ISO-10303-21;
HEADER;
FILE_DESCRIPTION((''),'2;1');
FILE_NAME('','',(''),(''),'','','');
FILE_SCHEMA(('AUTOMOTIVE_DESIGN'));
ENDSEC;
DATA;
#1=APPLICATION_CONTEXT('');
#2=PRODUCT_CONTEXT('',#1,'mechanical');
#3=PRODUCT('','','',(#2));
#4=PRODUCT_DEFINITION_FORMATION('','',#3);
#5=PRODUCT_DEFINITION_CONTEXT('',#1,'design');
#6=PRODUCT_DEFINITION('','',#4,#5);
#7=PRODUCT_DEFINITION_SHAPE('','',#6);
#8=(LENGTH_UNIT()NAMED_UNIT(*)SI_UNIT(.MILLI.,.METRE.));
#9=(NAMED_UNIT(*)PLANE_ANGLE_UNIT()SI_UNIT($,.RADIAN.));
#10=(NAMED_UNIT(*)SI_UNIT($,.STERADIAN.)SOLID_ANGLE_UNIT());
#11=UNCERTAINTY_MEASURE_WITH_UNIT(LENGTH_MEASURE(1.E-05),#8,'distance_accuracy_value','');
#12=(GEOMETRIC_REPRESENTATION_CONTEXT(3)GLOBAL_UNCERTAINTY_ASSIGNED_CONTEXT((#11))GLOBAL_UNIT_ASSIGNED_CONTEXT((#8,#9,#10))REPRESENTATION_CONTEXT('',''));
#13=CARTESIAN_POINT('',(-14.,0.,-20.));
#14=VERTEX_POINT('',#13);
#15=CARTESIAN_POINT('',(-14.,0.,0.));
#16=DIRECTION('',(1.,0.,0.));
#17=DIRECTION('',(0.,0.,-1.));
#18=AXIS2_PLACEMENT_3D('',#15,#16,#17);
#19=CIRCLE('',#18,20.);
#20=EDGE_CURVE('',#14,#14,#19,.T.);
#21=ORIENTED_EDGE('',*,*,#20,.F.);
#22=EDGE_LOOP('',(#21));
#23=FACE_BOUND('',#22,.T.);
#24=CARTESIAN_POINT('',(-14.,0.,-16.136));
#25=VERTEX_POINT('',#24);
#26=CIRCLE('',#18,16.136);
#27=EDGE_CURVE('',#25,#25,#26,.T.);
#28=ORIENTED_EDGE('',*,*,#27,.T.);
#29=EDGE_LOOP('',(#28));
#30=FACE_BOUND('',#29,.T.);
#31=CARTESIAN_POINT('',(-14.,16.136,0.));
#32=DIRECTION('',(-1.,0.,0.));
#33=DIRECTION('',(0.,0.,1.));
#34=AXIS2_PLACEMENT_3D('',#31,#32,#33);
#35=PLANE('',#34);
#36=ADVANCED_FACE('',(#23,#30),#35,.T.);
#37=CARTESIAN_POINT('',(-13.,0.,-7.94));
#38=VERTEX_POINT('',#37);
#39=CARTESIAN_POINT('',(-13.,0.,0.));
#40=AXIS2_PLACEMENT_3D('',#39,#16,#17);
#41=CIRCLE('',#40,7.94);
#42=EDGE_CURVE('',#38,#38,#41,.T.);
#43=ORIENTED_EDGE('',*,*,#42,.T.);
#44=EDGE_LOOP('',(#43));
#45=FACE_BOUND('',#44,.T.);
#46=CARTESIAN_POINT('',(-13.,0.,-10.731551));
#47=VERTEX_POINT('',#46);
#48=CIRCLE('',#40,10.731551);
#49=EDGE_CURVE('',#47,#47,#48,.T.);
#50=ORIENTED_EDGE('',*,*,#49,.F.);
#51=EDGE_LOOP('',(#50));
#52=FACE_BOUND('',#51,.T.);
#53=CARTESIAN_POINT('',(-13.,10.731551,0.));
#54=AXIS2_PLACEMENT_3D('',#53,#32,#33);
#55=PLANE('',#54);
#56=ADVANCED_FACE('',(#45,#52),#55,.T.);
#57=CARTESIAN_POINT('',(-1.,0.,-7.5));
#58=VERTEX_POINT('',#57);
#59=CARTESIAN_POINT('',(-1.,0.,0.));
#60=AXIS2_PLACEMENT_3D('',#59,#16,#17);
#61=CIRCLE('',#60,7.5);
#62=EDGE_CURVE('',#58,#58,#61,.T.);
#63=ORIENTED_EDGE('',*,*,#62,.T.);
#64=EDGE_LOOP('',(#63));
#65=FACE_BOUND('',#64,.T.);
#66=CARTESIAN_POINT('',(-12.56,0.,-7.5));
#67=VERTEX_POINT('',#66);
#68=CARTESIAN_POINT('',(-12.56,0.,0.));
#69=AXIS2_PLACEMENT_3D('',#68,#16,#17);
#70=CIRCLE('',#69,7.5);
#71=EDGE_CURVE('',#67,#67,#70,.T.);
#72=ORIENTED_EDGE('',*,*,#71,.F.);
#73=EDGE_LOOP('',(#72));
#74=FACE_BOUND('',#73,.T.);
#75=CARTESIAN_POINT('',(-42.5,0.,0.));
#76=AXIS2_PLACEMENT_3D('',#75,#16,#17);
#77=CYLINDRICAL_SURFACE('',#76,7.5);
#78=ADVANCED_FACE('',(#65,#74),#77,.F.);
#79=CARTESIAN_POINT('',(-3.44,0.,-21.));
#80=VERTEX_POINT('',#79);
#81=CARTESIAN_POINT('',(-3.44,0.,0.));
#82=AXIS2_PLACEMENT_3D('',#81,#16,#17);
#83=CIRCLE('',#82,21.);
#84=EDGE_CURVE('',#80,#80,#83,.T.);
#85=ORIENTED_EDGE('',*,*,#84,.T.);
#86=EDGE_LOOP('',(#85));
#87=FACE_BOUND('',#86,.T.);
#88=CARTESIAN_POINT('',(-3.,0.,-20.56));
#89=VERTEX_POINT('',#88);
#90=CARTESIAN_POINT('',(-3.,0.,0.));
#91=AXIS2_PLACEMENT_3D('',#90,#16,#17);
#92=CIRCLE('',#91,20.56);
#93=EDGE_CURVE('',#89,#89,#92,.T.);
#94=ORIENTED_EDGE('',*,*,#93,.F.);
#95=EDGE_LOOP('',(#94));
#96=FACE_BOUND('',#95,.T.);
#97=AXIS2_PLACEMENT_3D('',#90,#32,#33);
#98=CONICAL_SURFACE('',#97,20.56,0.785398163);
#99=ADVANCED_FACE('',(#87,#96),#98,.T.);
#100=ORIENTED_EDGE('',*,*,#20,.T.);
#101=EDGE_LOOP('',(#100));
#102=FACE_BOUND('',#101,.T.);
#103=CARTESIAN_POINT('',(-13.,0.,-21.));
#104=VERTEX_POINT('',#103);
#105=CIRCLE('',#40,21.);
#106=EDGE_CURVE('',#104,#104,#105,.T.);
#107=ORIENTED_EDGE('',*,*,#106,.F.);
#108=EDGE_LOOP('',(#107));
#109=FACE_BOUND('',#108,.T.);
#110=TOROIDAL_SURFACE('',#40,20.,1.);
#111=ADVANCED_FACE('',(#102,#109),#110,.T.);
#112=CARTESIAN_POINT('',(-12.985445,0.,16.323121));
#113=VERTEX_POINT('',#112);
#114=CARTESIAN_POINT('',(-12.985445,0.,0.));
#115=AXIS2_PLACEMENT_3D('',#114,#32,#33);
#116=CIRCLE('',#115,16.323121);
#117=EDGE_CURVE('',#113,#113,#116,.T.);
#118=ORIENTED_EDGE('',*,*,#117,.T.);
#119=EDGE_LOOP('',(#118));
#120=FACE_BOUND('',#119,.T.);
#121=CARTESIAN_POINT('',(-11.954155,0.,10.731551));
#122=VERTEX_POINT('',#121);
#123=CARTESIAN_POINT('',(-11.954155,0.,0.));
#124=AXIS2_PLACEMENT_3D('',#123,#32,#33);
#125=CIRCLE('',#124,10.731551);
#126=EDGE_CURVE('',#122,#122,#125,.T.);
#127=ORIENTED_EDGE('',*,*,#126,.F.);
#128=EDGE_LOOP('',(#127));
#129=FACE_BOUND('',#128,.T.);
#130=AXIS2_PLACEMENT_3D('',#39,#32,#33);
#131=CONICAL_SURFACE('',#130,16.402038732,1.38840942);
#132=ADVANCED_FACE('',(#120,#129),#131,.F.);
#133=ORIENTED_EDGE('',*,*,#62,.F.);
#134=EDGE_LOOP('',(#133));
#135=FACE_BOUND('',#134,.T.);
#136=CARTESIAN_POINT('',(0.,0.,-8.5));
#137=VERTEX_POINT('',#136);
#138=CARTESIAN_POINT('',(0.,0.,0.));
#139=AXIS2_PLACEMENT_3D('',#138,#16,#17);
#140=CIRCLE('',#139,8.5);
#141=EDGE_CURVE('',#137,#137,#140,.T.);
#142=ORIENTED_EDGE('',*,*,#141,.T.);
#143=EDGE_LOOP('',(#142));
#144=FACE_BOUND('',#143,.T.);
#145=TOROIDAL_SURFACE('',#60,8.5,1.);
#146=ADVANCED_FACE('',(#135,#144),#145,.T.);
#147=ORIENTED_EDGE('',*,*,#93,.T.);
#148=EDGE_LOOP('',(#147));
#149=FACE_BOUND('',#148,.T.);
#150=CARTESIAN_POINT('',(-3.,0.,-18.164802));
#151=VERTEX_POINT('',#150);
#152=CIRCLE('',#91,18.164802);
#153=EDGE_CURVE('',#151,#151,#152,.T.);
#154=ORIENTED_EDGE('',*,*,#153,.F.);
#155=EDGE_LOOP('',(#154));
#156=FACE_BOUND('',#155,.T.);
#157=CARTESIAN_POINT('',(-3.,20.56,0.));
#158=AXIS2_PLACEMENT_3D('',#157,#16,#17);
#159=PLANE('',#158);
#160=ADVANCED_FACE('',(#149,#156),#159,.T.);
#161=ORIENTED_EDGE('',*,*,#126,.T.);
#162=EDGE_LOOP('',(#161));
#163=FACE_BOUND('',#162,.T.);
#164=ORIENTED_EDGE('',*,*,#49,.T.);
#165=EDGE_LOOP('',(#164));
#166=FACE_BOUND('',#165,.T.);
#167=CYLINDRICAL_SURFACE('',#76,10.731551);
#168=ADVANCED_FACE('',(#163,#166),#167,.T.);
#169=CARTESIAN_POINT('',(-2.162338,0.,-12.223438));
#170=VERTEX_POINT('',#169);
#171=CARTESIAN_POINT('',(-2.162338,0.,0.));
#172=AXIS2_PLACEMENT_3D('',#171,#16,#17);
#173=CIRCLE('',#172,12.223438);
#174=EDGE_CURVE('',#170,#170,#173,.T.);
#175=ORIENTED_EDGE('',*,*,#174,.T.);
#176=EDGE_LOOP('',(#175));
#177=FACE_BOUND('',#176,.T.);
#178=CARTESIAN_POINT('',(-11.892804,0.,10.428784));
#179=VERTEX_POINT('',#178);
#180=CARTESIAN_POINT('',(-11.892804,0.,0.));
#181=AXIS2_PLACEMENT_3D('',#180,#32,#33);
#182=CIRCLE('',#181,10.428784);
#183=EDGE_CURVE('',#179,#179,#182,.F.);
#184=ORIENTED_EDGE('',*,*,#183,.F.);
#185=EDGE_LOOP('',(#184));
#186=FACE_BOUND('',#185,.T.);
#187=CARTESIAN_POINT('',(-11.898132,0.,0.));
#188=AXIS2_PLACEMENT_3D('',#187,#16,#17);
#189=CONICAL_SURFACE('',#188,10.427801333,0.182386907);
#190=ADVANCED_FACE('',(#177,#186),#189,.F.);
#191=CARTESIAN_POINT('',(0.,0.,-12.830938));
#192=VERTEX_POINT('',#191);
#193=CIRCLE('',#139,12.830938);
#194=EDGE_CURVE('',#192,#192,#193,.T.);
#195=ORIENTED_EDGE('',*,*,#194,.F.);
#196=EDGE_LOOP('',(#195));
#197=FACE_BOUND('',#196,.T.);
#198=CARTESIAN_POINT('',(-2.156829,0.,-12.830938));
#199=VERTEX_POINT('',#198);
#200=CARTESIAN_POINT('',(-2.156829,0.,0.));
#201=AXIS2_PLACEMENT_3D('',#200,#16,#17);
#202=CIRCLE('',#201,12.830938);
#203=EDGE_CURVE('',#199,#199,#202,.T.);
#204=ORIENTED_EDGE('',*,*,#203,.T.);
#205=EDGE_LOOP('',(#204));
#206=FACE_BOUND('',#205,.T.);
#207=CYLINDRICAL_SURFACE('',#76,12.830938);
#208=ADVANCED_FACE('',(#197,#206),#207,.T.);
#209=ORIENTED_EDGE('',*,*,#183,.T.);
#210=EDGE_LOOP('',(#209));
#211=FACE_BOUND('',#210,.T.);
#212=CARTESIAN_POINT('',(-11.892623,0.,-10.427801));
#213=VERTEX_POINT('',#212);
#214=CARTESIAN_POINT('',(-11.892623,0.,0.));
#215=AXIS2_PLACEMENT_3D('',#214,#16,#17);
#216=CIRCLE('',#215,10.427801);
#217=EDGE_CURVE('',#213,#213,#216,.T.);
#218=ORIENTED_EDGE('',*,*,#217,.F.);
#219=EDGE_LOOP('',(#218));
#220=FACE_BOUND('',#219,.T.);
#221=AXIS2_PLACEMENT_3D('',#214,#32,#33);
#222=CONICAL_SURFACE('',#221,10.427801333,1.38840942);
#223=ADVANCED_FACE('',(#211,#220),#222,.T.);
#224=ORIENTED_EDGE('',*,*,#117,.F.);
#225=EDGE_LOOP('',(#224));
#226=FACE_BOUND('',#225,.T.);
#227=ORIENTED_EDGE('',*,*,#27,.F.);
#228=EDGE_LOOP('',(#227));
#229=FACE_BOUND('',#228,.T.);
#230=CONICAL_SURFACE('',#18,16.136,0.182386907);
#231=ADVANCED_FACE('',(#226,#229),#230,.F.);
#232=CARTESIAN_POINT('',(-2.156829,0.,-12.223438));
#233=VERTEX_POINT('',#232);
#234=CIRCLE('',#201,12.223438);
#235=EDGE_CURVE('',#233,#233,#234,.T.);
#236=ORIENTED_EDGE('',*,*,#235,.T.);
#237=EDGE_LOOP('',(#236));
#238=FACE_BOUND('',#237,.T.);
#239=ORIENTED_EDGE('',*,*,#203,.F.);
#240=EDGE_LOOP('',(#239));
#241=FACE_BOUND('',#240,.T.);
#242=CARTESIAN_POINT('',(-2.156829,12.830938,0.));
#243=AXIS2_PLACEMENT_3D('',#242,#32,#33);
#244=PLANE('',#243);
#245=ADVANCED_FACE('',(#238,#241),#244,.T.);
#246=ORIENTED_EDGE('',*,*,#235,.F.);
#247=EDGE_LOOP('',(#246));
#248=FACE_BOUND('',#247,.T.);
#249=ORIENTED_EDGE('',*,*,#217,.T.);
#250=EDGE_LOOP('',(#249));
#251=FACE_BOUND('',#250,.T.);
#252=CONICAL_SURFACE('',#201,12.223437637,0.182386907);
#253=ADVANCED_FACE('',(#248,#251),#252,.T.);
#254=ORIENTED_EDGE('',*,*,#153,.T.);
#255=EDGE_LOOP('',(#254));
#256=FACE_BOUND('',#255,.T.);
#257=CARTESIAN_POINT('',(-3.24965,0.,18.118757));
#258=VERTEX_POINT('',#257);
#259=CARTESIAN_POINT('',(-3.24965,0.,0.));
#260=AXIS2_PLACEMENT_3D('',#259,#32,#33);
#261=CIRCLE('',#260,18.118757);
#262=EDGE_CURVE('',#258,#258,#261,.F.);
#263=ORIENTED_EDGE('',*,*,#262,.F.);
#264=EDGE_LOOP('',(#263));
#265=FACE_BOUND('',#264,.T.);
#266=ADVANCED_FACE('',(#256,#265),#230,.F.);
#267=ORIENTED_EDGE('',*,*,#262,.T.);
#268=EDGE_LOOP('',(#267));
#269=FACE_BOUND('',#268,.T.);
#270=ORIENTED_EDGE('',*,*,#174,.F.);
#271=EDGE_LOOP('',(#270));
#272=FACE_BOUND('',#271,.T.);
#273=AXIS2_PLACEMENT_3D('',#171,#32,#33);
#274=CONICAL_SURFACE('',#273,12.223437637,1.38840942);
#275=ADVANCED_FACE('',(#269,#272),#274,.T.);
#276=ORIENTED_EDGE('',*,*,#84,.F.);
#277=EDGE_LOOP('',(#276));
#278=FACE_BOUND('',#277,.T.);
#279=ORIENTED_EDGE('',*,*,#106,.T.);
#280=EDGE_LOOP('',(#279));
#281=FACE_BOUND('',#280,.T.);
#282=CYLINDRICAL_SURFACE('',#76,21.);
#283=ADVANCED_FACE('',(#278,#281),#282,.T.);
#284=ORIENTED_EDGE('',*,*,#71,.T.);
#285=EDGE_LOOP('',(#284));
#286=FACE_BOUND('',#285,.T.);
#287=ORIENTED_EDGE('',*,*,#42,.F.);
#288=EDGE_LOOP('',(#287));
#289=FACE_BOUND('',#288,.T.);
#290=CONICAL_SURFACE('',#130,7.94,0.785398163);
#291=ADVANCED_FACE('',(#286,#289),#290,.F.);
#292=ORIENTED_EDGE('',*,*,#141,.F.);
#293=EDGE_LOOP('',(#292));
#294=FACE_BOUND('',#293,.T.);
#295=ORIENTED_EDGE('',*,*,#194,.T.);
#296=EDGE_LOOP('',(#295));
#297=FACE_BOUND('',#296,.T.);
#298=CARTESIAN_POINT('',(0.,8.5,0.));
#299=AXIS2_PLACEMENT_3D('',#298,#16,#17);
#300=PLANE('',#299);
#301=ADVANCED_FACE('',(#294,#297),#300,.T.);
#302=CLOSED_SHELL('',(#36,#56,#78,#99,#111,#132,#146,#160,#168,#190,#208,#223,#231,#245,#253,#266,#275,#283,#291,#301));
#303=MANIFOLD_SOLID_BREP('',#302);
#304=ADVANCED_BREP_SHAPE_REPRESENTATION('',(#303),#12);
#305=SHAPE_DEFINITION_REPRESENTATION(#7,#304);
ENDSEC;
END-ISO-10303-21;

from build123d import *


with BuildPart() as part:
    # OutRacSke → OuterRace (revolve)
    with BuildSketch(Plane.XY):
        with BuildLine():
            Line((-3, 18.164802045), (-14, 16.136))
            Line((-14, 16.136), (-14, 20))
            ThreePointArc((-14, 20), (-13.707106781, 20.707106781), (-13, 21))
            Line((-13, 21), (-3.44, 21))
            Line((-3.44, 21), (-3, 20.56))
            Line((-3, 20.56), (-3, 18.164802045))
        make_face()
    revolve(axis=Axis((-42.5, 0, 0), (1, 0, 0)))

    # RolSimSke → RollersSimplified (revolve)
    with BuildSketch(Plane.XY):
        Polygon((-13, 16.402038732), (-3.26420572, 18.197675036), (-2.162337988, 12.223437637), (-11.898132268, 10.427801333), align=None)
    revolve(axis=Axis((0, 0, 0), (-1, 0, 0)))

    # InsRacSke → InnerRace (revolve)
    with BuildSketch(Plane.XY):
        with BuildLine():
            Line((-11.948645533, 10.731551333), (-13, 10.731551333))
            Line((-13, 10.731551333), (-13, 7.94))
            Line((-13, 7.94), (-12.56, 7.5))
            Line((-12.56, 7.5), (-1, 7.5))
            ThreePointArc((-1, 7.5), (-0.292893219, 7.792893219), (0, 8.5))
            Line((0, 8.5), (0, 12.830937637))
            Line((0, 12.830937637), (-2.156828651, 12.830937637))
            Line((-2.156828651, 12.830937637), (-2.156828651, 12.223437637))
            Line((-2.156828651, 12.223437637), (-11.892622931, 10.427801333))
            Line((-11.892622931, 10.427801333), (-11.948645533, 10.731551333))
        make_face()
    revolve(axis=Axis((-42.5, 0, 0), (1, 0, 0)))


solid = part.part
